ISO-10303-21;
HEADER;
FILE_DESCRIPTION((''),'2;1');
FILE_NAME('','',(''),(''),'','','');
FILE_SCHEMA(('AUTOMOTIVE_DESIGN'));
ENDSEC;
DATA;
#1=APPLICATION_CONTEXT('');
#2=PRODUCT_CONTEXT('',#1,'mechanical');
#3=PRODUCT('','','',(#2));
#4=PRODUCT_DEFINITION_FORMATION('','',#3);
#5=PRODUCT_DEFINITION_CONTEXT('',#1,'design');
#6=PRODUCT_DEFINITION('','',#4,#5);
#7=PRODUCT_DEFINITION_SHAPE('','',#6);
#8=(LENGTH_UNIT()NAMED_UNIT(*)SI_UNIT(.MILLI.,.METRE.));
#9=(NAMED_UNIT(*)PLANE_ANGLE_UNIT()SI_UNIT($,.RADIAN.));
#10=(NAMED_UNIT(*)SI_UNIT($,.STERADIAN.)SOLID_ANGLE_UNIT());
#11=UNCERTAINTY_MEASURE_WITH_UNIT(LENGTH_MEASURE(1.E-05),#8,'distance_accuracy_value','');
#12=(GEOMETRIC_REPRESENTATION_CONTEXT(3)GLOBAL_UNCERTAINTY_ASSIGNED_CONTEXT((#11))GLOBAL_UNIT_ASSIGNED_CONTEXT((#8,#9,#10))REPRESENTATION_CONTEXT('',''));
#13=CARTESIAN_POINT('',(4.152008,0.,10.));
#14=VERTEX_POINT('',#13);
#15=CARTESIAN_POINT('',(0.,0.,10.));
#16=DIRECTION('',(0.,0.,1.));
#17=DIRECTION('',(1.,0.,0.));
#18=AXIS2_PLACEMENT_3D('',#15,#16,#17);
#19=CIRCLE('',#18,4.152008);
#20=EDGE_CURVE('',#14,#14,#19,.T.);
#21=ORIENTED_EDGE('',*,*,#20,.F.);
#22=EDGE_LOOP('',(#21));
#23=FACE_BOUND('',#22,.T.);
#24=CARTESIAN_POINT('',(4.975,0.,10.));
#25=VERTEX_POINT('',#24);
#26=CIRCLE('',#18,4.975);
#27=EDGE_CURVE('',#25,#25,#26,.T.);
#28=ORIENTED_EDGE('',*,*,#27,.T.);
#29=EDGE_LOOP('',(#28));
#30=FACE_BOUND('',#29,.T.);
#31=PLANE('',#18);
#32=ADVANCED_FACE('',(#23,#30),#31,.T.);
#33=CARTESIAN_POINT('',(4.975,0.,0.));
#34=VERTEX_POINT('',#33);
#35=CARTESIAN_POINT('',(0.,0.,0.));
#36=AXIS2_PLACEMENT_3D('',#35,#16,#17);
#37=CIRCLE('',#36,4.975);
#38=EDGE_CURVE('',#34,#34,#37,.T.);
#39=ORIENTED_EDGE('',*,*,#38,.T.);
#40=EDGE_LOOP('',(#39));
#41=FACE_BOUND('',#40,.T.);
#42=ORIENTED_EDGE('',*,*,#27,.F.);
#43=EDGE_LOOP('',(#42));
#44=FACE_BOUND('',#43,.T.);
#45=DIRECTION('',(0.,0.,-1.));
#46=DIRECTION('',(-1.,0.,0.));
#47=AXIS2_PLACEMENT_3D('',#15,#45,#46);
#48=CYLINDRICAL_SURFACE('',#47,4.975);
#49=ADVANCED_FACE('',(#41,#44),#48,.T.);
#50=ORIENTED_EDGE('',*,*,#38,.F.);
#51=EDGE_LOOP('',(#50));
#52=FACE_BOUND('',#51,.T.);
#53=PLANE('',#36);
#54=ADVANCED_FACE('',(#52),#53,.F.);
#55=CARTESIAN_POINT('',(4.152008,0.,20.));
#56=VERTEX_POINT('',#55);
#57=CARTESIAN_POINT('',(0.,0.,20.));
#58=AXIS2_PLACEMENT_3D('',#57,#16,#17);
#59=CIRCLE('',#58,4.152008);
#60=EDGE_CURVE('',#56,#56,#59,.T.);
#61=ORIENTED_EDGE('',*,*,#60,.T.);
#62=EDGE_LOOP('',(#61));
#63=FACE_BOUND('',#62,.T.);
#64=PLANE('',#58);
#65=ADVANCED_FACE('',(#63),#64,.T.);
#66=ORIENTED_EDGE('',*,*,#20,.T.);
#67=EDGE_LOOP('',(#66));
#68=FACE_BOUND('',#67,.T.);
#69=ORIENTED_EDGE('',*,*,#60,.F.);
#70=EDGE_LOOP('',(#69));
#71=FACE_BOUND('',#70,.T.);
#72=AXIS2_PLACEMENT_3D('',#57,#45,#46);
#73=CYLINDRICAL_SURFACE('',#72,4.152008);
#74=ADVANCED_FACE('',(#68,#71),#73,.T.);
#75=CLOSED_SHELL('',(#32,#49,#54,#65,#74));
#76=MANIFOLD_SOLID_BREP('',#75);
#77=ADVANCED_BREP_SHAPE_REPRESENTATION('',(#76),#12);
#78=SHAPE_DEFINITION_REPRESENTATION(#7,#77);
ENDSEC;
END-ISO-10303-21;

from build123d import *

# Parameters (mm, degrees)
SKETCH1_R           = 4.975
BOSS_EXTRUDE1_DEPTH = 10
SKETCH2_R           = 4.152007566
BOSS_EXTRUDE2_DEPTH = 10


with BuildPart() as part:
    # Sketch1 → Boss-Extrude1 (new body)
    with BuildSketch(Plane.XY):
        Circle(SKETCH1_R)
    extrude(amount=BOSS_EXTRUDE1_DEPTH)

    # Sketch2 → Boss-Extrude2 (add)
    with BuildSketch(Plane.XY.offset(10)):
        Circle(SKETCH2_R)
    extrude(amount=BOSS_EXTRUDE2_DEPTH)


solid = part.part
